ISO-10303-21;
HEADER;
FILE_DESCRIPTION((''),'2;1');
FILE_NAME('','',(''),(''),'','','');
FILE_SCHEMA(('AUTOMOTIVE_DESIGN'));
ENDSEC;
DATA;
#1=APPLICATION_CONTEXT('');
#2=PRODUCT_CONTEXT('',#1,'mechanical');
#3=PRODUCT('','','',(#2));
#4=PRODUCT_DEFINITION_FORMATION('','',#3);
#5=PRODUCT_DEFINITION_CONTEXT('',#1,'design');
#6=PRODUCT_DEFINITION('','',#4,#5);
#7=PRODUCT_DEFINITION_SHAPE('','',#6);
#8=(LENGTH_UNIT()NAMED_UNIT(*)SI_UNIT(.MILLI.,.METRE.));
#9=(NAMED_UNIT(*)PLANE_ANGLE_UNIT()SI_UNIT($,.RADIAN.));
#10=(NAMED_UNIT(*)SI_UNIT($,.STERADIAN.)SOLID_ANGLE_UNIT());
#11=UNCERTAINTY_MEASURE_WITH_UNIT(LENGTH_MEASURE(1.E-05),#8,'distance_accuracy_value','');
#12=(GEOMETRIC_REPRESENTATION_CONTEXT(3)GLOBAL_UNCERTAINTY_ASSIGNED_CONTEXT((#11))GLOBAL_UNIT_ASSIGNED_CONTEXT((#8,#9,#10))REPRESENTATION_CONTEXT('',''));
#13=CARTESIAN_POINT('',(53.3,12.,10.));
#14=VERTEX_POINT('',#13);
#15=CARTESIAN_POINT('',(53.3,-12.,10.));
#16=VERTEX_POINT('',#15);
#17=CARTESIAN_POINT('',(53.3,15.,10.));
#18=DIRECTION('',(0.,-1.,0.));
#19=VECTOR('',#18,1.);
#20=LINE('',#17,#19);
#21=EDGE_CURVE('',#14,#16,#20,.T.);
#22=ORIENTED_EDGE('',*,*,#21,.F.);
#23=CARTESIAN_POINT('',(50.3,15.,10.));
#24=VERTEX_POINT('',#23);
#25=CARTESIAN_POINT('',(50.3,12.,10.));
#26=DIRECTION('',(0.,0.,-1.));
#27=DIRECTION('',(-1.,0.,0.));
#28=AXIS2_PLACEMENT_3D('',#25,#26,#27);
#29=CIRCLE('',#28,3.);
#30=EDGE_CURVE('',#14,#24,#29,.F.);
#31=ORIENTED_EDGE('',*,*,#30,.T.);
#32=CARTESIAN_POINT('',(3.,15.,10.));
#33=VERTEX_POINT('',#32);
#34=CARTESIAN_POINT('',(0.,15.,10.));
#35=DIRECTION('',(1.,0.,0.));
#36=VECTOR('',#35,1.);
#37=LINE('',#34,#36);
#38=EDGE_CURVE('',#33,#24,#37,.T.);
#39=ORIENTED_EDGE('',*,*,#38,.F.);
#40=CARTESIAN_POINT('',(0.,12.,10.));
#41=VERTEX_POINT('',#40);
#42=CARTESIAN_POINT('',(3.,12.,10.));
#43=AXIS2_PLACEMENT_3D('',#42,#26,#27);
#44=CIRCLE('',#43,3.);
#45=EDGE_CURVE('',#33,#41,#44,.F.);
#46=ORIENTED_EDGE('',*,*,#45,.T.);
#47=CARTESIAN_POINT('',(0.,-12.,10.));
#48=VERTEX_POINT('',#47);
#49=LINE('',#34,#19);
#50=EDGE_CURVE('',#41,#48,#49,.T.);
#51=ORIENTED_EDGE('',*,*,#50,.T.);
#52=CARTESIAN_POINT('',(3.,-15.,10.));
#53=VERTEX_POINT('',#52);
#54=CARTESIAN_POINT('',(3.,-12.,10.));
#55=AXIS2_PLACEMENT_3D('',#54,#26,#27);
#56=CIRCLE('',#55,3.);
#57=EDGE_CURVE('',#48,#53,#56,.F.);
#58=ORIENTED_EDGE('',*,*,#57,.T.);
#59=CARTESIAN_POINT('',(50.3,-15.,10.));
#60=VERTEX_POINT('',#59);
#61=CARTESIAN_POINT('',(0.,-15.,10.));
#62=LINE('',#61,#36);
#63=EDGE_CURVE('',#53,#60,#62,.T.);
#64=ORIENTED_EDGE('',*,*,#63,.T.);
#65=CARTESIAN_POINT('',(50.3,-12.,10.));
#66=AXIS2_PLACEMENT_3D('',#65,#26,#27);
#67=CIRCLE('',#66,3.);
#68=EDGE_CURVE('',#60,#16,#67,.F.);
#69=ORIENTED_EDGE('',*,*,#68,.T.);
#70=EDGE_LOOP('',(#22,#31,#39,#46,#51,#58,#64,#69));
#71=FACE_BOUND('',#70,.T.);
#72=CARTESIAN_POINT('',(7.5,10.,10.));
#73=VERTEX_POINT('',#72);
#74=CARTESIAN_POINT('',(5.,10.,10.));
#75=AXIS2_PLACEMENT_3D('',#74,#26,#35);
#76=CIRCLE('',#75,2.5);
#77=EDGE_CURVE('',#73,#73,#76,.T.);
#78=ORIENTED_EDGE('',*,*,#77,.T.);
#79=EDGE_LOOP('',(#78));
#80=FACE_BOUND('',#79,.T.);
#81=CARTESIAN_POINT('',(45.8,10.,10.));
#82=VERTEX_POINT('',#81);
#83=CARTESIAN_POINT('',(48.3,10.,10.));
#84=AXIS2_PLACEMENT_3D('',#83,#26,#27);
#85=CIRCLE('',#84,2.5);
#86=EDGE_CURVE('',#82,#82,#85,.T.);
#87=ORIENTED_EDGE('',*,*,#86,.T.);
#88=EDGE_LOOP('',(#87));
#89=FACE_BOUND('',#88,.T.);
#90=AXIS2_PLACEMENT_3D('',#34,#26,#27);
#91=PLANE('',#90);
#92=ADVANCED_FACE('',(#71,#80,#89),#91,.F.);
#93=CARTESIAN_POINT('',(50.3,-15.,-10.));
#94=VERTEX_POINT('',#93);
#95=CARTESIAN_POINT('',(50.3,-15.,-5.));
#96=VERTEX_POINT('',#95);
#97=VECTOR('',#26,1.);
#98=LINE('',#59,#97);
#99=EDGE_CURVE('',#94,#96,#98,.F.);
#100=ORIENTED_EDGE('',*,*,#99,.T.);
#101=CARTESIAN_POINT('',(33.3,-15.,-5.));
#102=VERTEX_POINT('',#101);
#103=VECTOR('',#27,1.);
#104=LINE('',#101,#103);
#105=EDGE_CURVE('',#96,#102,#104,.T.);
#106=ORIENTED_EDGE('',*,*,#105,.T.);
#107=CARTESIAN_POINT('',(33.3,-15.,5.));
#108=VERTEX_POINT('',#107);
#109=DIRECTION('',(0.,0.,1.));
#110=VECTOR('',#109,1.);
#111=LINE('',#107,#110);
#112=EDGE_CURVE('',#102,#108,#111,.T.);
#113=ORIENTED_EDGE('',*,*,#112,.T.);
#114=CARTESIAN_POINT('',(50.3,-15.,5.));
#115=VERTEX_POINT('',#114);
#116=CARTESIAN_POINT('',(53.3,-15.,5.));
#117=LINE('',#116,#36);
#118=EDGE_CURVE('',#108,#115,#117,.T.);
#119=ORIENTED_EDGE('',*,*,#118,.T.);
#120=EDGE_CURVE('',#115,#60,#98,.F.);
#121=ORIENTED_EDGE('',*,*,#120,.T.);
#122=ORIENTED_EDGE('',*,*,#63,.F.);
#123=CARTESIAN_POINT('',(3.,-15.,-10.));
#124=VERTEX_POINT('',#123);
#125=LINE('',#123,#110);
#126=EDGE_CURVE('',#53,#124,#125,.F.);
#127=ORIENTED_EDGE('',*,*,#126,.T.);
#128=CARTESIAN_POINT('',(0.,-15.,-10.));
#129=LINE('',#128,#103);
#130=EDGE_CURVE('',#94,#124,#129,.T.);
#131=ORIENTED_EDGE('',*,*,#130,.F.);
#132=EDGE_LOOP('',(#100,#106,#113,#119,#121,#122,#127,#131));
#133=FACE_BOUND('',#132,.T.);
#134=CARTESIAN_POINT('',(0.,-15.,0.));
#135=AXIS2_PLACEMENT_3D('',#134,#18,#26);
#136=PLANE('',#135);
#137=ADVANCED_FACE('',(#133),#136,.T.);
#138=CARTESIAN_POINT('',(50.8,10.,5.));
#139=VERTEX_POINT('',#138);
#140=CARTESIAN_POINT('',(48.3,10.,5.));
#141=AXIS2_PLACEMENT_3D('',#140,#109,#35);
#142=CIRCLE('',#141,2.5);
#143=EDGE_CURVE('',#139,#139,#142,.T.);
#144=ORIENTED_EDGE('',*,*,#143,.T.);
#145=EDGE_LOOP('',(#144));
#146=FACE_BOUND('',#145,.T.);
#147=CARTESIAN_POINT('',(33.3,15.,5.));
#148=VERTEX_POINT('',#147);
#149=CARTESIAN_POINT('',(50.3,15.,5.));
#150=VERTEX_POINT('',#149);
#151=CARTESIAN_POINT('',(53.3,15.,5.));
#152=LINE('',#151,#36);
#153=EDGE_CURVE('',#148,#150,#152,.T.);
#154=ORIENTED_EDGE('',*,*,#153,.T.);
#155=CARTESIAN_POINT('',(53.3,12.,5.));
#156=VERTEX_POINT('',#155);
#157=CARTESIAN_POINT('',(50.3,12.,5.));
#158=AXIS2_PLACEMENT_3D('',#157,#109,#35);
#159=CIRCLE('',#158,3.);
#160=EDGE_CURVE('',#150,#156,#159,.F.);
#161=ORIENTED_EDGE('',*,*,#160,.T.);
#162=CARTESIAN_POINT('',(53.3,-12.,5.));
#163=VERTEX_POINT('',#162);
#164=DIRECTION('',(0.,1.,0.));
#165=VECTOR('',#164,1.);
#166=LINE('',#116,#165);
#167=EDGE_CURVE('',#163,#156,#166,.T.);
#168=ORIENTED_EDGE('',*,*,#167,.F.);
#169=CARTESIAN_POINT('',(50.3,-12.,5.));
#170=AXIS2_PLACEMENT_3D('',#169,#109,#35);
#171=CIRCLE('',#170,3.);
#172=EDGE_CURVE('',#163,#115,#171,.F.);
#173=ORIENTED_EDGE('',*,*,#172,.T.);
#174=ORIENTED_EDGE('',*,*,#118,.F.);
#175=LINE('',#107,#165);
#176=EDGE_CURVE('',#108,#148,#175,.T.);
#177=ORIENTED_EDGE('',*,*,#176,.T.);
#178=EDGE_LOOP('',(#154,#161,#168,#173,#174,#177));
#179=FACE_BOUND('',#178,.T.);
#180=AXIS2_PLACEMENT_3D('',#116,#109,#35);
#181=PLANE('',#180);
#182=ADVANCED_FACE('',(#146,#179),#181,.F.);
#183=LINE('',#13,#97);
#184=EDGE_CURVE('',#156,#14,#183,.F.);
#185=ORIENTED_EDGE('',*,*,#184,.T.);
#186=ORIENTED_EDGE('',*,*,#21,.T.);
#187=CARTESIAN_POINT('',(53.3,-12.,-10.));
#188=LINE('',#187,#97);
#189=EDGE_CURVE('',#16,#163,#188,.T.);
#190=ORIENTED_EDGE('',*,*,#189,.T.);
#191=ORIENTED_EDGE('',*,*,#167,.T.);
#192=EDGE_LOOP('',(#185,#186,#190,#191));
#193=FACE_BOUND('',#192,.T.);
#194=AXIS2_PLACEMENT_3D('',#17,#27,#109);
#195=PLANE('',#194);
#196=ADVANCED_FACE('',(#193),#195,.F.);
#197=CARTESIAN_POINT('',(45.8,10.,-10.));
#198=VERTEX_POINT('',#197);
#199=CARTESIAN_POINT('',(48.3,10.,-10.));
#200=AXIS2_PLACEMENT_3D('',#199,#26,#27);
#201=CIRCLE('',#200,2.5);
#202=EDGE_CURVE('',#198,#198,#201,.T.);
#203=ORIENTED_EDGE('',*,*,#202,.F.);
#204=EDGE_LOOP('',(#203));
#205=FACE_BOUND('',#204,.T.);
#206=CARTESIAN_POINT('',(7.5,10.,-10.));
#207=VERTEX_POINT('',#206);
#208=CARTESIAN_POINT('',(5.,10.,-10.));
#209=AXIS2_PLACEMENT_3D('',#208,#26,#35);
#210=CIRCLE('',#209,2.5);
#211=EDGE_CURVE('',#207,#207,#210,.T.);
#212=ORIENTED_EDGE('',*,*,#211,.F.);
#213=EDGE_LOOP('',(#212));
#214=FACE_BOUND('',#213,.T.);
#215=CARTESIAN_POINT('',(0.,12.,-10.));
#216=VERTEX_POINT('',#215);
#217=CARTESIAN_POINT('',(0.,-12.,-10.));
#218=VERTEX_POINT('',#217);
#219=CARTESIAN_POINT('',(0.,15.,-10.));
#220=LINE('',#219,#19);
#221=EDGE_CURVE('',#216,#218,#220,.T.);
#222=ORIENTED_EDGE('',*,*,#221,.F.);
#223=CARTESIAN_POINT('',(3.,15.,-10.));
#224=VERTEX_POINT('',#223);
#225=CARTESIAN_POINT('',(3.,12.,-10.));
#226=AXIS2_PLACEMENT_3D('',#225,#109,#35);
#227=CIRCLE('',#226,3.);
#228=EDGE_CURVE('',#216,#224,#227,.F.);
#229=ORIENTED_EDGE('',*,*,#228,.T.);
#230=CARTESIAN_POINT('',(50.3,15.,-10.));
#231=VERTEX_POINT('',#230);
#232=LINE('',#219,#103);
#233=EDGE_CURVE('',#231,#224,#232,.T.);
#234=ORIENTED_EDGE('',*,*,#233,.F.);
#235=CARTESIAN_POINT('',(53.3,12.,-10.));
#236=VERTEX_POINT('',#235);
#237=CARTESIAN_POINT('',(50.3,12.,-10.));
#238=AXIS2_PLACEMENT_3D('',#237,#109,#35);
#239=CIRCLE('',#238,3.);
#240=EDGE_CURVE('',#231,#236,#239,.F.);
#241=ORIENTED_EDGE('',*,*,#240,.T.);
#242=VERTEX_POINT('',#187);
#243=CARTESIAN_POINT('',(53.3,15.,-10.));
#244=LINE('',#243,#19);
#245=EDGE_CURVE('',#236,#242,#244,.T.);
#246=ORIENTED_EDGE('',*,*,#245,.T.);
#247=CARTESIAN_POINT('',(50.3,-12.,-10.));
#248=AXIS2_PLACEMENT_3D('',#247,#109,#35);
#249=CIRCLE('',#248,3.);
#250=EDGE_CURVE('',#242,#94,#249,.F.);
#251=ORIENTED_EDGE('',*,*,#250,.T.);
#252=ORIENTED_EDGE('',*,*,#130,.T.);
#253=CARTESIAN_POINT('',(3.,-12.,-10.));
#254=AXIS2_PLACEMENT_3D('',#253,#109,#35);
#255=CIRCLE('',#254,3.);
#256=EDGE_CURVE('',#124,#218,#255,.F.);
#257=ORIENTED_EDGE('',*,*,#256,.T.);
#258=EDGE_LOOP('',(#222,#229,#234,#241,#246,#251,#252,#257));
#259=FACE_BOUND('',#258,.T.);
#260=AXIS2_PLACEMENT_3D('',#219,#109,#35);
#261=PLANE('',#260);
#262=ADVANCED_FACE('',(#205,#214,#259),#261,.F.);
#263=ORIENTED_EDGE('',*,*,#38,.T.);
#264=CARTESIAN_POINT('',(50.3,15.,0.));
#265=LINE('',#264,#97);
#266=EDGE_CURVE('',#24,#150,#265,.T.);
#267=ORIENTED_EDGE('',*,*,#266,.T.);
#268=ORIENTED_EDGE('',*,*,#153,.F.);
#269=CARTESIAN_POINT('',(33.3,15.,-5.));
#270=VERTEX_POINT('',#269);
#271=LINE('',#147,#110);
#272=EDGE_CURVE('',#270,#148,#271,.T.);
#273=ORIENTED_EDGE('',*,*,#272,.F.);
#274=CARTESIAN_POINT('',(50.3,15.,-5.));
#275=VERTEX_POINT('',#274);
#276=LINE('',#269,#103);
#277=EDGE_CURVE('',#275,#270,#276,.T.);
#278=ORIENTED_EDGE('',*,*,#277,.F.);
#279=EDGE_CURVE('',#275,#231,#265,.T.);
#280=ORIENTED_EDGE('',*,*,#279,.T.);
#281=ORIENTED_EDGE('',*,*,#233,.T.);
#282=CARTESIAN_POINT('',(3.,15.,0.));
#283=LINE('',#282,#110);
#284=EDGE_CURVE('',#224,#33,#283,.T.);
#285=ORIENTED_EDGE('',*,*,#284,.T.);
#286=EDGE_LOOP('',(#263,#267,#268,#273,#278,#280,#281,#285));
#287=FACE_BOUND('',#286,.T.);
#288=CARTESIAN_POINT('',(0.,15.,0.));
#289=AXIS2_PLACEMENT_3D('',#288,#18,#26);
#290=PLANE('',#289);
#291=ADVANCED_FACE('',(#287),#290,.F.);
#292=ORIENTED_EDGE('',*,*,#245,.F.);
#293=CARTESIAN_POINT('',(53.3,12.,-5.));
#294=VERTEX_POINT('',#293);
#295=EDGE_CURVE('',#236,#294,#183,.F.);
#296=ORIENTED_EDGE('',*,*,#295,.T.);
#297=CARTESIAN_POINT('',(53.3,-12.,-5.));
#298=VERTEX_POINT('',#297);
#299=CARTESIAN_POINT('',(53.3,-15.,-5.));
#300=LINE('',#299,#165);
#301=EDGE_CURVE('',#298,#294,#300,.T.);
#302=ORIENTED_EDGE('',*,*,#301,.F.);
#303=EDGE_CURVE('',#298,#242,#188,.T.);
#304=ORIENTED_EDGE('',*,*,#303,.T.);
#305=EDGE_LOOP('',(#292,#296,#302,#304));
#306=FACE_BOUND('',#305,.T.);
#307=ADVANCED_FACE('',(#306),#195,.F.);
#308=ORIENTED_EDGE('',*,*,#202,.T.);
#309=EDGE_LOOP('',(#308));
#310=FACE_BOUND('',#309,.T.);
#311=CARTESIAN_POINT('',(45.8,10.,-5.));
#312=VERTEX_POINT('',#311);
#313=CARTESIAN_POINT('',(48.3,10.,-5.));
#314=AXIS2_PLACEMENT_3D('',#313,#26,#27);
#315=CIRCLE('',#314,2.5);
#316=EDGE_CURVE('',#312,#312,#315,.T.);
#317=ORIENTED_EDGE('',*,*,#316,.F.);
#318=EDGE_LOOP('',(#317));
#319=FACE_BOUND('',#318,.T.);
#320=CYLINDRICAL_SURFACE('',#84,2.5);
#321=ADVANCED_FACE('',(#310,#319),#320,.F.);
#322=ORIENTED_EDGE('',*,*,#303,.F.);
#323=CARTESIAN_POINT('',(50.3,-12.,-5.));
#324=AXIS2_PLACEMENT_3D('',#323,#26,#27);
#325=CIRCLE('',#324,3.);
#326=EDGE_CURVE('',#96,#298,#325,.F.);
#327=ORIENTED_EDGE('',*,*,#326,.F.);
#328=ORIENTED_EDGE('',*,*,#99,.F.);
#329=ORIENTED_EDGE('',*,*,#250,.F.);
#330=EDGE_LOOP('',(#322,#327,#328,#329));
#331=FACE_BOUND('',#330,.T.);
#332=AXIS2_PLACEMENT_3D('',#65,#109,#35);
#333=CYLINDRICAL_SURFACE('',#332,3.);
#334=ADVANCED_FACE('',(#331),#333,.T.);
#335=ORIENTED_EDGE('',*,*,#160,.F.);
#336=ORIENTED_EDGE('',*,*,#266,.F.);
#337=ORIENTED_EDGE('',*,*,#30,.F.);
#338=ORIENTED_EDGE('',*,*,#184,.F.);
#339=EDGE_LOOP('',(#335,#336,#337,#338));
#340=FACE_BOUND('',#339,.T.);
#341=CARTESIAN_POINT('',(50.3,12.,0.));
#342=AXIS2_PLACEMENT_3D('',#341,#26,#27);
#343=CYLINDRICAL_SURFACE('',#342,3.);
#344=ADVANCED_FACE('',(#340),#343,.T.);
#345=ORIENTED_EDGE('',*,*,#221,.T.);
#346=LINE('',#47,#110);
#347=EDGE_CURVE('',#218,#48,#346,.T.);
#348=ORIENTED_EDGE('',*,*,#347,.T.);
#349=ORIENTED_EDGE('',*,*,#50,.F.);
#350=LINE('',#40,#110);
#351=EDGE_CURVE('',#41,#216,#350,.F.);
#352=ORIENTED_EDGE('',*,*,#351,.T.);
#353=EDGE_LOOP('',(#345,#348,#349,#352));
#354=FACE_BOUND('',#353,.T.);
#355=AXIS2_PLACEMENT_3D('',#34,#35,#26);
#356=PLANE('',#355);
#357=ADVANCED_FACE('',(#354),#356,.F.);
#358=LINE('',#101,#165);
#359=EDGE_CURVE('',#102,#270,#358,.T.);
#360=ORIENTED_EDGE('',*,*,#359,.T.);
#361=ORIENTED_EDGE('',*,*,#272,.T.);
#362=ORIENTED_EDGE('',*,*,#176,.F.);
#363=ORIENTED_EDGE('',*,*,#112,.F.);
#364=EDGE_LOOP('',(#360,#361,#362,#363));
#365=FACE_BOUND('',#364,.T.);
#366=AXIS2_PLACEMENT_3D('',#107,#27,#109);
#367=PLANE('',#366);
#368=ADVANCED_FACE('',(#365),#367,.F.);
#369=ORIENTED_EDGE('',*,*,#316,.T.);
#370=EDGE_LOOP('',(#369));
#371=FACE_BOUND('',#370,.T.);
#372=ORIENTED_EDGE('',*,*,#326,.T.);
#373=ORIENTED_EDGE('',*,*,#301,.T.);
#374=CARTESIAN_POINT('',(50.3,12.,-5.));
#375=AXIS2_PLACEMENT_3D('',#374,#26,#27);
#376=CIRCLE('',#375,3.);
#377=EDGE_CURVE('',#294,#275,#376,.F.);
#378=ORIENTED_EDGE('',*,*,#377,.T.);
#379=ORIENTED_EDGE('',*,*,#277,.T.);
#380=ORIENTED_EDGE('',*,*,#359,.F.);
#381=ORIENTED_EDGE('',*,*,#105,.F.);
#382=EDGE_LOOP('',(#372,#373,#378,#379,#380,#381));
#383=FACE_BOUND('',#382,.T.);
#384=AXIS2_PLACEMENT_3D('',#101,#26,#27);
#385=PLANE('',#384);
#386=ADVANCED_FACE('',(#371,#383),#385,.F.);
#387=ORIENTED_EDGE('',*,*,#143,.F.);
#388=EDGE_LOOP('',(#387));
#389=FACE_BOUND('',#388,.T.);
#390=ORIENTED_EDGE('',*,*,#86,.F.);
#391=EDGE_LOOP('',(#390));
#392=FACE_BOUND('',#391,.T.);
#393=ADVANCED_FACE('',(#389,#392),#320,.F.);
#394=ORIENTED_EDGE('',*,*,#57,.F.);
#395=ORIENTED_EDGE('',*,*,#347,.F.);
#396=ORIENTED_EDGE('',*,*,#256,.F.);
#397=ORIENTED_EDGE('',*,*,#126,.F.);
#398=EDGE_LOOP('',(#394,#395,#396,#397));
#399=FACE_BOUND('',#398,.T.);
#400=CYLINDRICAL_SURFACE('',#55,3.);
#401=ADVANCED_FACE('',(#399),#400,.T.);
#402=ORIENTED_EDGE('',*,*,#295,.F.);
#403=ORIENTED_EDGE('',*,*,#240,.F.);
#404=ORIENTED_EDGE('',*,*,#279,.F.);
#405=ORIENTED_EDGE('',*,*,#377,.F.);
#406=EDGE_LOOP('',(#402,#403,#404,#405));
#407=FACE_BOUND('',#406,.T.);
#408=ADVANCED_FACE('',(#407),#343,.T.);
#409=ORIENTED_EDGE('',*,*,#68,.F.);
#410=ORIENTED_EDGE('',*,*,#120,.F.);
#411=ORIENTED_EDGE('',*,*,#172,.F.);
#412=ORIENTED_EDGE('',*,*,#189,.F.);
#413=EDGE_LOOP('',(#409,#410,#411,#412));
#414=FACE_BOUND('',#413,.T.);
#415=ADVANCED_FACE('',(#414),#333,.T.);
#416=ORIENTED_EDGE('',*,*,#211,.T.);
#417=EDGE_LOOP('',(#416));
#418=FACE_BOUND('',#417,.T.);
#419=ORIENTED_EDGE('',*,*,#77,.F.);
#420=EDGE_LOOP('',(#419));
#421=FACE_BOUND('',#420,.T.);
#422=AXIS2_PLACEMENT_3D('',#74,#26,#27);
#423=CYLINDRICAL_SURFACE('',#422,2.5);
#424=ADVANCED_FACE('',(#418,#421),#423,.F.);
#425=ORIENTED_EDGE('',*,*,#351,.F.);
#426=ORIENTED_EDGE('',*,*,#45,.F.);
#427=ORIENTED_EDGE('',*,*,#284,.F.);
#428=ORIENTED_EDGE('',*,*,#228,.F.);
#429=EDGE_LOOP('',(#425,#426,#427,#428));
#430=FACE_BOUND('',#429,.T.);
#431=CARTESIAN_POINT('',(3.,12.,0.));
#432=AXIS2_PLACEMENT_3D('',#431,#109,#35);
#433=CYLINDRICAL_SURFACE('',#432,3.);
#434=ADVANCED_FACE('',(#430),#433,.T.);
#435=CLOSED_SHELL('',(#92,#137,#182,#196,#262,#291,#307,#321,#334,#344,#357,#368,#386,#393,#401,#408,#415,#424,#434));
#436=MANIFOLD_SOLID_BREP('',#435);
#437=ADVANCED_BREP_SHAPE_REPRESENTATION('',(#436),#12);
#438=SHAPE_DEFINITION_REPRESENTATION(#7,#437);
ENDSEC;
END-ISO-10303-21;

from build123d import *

# Parameters (mm, degrees)
ESQUISSE2_W             = 53.3
ESQUISSE2_H             = 20
BOSS_EXTRU_1_DEPTH      = 15
CONG_1_R                = 3
ESQUISSE4_W             = 20
ESQUISSE4_H             = 10
ENL_V_MAT_EXTRU_1_DEPTH = 31
ESQUISSE5_R             = 2.5
ENL_V_MAT_EXTRU_2_DEPTH = 21


with BuildPart() as part:
    # Esquisse2 → Boss.-Extru.1 (new body, symmetric)
    with BuildSketch(Plane(origin=(0, 0, 0), x_dir=(1, 0, 0), z_dir=(0, 1, 0))):
        with Locations((26.65, 0)):
            Rectangle(ESQUISSE2_W, ESQUISSE2_H)
    extrude(amount=BOSS_EXTRU_1_DEPTH, both=True)

    # Congé1
    cong_1_edges = [part.edges().sort_by_distance(p)[0] for p in [
        (53.3, 15, 0),
        (0, 15, 0),
        (53.3, -15, 0),
        (0, -15, 0),
    ]]
    fillet(cong_1_edges, radius=CONG_1_R)

    # Esquisse4 → Enlèv. mat.-Extru.1 (cut, through all)
    with BuildSketch(Plane(origin=(0, 15, 0), x_dir=(1, 0, 0), z_dir=(0, 1, 0))):
        with Locations((43.3, 0)):
            Rectangle(ESQUISSE4_W, ESQUISSE4_H)
    extrude(amount=-ENL_V_MAT_EXTRU_1_DEPTH, mode=Mode.SUBTRACT)

    # Esquisse5 → Enlèv. mat.-Extru.2 (cut, through all)
    with BuildSketch(Plane(origin=(0, 0, -10), x_dir=(-1, 0, 0), z_dir=(0, 0, -1))):
        with Locations((-48.3, 10)):
            Circle(ESQUISSE5_R)
        with Locations((-5, 10)):
            Circle(ESQUISSE5_R)
    extrude(amount=-ENL_V_MAT_EXTRU_2_DEPTH, mode=Mode.SUBTRACT)


solid = part.part
